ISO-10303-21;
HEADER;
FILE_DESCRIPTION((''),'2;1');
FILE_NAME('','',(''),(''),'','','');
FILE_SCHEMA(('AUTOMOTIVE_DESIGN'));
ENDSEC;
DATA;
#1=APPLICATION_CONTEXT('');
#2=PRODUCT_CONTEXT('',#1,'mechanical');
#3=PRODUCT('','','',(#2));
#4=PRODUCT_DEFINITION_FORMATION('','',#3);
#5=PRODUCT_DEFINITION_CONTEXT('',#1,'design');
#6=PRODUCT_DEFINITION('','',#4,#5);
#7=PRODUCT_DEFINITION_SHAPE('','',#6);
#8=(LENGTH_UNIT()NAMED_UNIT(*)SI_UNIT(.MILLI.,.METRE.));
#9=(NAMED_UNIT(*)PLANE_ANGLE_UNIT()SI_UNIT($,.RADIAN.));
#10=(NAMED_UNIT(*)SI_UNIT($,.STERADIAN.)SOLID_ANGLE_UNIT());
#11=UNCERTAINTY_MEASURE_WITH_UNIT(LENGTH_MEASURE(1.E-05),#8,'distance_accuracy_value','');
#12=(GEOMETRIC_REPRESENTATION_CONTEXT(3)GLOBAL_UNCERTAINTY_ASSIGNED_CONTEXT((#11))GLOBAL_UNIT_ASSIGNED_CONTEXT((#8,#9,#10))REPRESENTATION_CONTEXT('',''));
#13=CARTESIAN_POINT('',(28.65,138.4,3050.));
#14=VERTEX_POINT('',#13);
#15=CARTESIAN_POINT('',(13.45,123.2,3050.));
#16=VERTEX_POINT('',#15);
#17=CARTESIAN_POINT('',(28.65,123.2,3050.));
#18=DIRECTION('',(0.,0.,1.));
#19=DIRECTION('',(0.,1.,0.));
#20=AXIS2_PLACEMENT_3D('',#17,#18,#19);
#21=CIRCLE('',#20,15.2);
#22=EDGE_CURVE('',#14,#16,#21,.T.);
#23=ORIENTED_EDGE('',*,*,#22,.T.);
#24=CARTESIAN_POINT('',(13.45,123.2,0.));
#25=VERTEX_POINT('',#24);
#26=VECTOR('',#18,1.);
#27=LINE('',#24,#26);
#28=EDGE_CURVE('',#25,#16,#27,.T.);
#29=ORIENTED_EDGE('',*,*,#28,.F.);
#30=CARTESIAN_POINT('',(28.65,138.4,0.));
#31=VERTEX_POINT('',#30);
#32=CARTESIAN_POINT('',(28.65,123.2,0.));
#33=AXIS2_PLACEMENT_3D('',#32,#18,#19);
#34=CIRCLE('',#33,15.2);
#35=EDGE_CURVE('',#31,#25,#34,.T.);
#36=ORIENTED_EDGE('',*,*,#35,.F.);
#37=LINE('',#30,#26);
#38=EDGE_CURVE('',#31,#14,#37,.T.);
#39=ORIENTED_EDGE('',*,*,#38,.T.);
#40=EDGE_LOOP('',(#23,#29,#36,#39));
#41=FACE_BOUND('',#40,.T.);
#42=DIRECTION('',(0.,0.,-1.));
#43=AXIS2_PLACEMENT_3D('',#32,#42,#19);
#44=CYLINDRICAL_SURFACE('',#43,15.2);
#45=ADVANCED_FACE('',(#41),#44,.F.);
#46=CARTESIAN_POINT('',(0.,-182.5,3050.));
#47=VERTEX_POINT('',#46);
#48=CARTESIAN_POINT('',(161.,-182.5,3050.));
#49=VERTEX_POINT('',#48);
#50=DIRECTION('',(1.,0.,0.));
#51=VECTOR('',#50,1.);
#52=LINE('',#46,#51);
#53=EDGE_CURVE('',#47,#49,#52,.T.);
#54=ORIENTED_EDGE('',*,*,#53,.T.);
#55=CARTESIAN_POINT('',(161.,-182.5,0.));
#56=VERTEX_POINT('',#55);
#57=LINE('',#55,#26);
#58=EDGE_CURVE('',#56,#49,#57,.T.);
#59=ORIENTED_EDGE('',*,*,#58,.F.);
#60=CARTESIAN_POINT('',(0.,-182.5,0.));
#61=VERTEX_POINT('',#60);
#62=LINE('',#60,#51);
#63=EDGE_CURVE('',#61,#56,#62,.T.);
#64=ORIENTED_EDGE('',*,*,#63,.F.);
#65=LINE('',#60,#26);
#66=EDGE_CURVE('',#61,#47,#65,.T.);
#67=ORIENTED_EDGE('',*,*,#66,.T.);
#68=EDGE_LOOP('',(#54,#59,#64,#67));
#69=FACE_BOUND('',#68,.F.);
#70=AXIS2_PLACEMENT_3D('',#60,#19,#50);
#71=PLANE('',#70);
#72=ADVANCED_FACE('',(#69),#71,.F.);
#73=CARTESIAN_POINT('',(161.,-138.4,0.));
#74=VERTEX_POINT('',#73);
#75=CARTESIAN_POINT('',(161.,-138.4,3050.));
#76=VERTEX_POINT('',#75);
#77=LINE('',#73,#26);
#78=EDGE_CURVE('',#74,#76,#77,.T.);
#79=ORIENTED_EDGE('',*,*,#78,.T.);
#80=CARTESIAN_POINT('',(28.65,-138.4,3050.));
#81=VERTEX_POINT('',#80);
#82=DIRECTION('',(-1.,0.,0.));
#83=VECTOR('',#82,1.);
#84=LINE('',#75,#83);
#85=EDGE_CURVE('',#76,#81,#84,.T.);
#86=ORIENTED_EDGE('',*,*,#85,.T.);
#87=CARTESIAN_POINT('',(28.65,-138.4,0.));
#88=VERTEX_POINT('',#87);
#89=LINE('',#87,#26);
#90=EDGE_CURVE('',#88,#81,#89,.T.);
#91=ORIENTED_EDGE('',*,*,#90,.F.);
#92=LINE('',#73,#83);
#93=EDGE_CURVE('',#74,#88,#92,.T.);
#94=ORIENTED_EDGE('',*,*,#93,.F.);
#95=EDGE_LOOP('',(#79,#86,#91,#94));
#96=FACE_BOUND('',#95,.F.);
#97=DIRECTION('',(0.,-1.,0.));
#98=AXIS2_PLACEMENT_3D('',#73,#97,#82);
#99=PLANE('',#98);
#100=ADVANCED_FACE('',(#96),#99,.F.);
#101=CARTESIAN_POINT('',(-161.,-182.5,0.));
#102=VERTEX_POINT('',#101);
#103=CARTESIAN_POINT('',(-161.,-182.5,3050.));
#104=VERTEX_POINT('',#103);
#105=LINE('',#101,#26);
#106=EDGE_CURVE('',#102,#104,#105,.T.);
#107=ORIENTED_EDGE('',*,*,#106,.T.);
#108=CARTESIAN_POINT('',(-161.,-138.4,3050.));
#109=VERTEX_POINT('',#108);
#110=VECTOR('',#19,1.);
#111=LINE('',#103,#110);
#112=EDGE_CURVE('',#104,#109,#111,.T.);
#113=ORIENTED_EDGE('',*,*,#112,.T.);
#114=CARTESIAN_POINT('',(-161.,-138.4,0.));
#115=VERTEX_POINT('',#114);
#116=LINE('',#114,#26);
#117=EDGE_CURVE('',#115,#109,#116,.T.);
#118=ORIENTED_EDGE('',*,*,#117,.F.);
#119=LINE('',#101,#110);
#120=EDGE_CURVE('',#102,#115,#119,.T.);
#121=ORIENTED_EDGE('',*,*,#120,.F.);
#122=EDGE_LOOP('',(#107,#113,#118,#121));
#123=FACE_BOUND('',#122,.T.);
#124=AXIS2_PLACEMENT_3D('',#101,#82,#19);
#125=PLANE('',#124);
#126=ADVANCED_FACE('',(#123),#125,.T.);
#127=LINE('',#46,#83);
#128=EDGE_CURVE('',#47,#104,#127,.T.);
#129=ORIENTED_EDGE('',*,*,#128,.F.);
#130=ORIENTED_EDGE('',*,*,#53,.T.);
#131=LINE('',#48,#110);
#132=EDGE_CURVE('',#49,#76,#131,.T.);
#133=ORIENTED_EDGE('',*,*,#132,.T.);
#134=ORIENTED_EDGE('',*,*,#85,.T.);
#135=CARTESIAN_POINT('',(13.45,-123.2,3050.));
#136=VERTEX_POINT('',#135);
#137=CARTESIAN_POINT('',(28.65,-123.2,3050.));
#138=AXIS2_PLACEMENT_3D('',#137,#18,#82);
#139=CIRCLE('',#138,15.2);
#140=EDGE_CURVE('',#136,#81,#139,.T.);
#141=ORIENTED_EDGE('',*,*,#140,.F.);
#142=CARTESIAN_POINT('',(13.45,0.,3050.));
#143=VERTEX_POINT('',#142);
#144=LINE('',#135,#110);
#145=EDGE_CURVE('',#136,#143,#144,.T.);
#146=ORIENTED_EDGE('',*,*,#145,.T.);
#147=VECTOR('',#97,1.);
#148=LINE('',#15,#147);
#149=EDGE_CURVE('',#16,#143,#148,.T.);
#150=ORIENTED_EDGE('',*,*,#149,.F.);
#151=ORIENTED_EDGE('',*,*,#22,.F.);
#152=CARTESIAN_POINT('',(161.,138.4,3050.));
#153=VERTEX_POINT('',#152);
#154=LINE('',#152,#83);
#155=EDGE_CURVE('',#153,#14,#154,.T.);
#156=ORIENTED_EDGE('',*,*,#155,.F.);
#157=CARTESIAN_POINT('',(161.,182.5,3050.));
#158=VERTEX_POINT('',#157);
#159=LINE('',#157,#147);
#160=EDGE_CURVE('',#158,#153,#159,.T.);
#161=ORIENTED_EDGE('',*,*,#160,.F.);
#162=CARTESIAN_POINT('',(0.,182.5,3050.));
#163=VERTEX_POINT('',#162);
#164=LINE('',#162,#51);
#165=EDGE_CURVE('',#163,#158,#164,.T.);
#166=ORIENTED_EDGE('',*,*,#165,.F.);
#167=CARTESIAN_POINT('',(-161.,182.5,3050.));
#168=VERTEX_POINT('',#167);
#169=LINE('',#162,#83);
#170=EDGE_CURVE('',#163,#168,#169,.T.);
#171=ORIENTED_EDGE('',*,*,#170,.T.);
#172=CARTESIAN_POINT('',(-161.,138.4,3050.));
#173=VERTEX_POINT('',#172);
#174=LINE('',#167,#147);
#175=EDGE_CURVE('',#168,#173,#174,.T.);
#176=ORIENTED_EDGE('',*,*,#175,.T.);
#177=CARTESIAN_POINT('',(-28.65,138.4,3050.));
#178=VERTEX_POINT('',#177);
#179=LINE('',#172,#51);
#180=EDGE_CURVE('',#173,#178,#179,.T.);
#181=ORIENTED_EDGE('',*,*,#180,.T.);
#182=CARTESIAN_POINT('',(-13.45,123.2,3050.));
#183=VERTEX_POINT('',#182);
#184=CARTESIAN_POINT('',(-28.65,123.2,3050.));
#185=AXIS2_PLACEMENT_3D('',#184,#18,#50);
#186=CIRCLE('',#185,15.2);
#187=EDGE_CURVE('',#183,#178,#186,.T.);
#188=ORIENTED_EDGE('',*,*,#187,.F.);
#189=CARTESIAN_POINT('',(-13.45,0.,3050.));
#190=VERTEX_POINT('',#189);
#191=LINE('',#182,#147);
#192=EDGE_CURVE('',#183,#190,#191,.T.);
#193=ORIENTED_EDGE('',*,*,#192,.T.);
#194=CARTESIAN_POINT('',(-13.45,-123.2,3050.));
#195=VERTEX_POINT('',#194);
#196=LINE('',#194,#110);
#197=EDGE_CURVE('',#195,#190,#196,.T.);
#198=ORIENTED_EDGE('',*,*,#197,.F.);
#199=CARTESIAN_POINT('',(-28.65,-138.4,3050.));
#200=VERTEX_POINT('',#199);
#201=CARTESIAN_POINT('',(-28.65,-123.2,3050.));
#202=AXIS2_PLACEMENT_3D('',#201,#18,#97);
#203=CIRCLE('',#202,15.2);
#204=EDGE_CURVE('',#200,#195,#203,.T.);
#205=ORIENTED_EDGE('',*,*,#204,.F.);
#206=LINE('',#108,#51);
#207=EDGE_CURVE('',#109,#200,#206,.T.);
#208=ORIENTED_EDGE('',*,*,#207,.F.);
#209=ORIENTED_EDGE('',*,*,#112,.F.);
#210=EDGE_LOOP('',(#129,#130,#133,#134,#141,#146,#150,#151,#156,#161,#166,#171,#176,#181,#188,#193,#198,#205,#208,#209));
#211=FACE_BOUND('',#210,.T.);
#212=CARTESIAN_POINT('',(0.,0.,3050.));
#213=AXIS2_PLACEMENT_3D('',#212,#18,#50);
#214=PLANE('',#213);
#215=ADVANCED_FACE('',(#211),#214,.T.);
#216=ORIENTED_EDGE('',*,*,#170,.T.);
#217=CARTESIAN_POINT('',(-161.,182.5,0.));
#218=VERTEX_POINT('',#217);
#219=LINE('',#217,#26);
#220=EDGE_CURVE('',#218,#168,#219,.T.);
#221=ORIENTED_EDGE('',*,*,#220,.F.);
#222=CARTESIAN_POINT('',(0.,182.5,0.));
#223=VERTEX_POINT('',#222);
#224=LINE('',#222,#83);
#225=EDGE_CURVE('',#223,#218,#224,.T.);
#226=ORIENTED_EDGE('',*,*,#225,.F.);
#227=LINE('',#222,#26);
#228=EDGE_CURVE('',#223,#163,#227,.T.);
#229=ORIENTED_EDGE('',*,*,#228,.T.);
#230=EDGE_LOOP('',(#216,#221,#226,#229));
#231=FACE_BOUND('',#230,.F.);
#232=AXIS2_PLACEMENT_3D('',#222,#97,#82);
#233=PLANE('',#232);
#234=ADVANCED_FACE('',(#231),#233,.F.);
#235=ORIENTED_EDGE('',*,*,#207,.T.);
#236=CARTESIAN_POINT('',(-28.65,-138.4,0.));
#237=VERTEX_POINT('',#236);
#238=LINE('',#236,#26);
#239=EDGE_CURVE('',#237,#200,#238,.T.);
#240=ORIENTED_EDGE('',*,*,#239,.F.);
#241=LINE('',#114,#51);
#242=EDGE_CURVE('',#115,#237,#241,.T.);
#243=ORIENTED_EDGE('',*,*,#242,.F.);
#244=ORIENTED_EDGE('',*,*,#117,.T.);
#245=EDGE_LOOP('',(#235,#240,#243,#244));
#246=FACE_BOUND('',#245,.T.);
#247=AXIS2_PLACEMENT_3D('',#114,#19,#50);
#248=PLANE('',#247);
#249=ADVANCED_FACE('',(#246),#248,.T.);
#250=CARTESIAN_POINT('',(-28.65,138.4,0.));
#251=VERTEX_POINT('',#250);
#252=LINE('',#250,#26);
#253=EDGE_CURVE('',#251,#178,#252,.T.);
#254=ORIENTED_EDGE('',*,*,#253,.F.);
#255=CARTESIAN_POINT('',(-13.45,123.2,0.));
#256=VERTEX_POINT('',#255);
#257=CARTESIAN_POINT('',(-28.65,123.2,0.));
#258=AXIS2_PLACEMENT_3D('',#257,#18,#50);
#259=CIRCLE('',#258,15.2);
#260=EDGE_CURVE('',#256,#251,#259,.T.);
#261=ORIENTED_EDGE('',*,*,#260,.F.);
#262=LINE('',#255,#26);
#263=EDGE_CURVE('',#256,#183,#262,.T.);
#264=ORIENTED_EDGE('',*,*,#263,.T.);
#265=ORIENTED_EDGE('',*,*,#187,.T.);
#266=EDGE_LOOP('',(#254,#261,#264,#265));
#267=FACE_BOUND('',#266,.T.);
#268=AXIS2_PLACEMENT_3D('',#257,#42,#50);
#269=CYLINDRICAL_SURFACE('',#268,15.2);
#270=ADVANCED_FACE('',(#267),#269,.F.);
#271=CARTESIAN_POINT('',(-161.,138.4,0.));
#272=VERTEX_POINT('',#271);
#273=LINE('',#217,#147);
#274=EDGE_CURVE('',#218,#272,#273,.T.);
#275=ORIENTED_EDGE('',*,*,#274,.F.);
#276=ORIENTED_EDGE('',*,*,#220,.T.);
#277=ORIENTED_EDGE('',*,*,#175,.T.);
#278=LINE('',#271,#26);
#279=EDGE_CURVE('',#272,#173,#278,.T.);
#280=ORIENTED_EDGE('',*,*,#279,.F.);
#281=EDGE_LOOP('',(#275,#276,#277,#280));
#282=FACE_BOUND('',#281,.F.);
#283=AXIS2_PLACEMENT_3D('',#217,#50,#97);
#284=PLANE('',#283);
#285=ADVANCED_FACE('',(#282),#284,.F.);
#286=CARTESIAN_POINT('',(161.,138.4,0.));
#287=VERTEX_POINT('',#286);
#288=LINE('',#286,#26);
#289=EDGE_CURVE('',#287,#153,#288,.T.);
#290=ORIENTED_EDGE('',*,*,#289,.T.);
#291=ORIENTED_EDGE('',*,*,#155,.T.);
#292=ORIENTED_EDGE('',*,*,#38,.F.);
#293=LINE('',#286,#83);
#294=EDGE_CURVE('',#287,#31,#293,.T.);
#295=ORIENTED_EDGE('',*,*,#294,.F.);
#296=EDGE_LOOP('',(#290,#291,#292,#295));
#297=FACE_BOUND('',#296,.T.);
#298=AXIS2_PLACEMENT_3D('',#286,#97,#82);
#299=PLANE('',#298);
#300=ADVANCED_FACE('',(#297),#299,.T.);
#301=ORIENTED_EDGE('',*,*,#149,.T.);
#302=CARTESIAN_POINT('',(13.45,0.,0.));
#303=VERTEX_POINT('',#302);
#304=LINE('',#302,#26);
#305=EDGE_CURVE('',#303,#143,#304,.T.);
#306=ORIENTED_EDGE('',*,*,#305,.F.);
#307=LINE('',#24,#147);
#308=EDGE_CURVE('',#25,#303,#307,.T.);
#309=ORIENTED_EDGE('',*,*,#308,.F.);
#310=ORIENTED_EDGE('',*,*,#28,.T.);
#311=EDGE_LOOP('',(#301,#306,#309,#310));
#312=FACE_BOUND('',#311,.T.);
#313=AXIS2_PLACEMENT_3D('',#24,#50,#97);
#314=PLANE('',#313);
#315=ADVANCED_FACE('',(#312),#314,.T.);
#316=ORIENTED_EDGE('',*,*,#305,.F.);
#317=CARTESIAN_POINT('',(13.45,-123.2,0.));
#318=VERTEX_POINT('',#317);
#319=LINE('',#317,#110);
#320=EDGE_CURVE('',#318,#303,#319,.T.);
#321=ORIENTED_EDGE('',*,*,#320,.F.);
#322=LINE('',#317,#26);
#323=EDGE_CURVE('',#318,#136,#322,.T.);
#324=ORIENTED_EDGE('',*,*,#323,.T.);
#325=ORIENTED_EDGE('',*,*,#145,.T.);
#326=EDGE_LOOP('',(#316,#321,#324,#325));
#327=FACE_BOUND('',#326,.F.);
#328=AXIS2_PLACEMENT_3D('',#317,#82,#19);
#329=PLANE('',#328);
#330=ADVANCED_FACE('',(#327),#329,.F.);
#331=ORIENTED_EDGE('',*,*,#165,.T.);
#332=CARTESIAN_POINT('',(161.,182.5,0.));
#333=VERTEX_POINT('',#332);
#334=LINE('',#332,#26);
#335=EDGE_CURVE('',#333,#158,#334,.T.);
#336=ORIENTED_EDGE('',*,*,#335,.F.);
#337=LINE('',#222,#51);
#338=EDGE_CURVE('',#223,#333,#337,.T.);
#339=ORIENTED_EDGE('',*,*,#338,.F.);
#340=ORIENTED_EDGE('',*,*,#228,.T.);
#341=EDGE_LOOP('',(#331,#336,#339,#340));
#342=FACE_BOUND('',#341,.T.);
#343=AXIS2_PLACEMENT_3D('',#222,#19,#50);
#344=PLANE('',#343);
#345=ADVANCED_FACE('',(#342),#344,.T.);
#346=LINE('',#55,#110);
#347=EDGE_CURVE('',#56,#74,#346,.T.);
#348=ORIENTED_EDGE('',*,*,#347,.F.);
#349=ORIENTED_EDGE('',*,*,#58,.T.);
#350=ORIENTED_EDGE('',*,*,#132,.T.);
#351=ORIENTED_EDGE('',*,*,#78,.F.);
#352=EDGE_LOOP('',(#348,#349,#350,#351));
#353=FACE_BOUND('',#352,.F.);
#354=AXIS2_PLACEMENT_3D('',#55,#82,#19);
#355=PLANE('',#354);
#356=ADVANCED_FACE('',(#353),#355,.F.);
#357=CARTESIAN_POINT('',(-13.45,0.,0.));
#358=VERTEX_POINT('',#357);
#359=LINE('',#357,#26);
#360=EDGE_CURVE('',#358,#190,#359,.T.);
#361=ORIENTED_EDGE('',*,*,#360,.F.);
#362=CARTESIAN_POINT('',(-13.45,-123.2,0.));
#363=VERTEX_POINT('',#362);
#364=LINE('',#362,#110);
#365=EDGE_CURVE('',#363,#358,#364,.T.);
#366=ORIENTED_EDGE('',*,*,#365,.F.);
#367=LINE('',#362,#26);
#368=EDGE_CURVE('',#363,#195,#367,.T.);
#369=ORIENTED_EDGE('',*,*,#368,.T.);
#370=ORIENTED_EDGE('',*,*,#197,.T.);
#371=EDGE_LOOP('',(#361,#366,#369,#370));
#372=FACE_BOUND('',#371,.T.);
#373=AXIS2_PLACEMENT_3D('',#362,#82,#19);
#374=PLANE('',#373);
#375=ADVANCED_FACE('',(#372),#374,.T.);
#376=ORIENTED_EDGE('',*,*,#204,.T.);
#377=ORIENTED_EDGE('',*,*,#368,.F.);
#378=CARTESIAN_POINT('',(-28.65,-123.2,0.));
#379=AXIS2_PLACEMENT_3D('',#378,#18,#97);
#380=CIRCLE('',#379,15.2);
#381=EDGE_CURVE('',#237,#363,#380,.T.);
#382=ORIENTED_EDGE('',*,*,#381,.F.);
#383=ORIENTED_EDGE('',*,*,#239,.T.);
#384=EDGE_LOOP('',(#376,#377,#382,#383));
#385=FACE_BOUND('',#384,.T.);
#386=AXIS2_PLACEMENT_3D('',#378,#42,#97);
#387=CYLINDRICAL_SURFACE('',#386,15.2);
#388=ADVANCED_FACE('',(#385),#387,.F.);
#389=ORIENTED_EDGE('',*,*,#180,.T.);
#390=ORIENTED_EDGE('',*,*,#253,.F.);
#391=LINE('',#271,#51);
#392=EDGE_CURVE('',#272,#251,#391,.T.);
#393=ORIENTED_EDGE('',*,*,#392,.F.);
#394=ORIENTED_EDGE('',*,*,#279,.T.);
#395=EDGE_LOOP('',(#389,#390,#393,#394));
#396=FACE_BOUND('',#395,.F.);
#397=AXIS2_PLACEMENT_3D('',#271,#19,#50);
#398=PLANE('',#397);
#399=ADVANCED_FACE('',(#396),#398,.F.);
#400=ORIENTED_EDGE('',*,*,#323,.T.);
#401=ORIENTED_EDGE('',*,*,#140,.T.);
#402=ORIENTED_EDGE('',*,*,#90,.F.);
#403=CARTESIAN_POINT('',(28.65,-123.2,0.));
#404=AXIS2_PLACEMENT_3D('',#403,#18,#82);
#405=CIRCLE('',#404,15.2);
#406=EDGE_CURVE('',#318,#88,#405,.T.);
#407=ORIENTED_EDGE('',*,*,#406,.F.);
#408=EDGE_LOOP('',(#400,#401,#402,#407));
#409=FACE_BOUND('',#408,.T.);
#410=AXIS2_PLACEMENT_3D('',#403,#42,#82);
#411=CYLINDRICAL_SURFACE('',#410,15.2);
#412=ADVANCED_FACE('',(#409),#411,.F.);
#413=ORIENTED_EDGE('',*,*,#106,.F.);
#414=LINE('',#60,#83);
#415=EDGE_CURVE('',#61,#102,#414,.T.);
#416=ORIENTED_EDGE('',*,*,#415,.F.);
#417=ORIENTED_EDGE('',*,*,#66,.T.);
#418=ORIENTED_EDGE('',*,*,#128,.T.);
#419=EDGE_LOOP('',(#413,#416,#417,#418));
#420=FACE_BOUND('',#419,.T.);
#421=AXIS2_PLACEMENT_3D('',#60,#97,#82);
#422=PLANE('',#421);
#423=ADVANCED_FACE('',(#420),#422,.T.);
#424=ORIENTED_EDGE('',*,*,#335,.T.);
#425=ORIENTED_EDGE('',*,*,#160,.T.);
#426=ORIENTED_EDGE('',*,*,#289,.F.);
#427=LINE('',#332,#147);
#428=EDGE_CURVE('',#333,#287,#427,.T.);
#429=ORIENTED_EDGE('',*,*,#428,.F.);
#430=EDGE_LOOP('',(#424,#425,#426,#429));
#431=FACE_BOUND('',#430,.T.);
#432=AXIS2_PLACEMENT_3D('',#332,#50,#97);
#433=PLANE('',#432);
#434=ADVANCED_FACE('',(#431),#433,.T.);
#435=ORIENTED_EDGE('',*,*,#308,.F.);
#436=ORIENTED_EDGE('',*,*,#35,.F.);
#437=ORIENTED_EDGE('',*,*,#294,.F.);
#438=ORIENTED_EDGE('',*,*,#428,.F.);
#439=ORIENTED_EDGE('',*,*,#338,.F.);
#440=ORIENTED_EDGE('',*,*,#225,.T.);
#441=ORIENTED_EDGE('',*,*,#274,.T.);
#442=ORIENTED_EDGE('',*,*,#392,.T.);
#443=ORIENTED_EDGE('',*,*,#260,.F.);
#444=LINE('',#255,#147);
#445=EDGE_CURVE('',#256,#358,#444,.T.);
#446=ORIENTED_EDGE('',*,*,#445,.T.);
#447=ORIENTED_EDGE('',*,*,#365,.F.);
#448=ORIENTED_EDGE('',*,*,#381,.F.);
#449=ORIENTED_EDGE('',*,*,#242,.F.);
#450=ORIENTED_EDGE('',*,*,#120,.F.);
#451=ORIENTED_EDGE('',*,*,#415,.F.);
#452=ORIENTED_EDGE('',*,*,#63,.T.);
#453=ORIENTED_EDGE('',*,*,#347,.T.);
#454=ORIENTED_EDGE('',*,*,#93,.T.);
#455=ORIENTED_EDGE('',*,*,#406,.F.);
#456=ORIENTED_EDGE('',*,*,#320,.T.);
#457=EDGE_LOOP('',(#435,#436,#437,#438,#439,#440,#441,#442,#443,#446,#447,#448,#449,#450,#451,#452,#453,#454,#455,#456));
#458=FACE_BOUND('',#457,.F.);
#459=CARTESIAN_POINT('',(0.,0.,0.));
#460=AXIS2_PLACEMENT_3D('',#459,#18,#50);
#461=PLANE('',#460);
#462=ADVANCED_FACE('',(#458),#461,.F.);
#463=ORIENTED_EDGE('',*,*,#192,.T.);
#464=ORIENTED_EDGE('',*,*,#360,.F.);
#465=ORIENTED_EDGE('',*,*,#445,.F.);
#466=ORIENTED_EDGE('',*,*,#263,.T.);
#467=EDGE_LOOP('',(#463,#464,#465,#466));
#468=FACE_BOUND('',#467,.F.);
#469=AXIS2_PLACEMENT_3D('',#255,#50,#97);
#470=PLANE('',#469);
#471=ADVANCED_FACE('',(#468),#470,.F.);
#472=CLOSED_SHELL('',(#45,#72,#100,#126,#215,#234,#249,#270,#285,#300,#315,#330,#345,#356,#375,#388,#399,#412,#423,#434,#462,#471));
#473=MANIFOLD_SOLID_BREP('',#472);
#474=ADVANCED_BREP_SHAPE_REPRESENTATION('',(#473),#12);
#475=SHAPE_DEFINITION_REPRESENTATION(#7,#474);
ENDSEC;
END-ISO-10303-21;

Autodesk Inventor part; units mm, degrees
ref_plane "YZ Plane" through (0, 0, 0) normal (1, 0, 0) x (0, 1, 0)
ref_plane "Start plane" through (0, 0, 0) normal (0, 0, 1) x (1, 0, 0)
ref_plane "End plane" through (0, 0, 3050) normal (0, 0, 1) x (1, 0, 0)
sketch "Sketch" plane through (0, 0, 0) normal (0, 0, 1) x (1, 0, 0)
  line L0 (-161, -182.5) -> (-161, -138.4)
  line L1 (-161, -138.4) -> (-28.65, -138.4)
  line L2 (-13.45, -123.2) -> (-13.45, 0)
  line L3 (-13.45, 0) -> (0, 0) construction
  line L4 (0, 0) -> (0, -182.5) construction
  line L5 (0, -182.5) -> (-161, -182.5)
  line L6 (-60, 0) -> (80, 0) construction
  line L7 (0, -60) -> (0, 80) construction
  line L8 (161, -182.5) -> (161, -138.4)
  line L9 (161, -138.4) -> (28.65, -138.4)
  line L10 (13.45, -123.2) -> (13.45, 0)
  line L11 (13.45, 0) -> (0, 0) construction
  line L12 (0, -182.5) -> (161, -182.5)
  line L13 (-161, 182.5) -> (-161, 138.4)
  line L14 (-161, 138.4) -> (-28.65, 138.4)
  line L15 (-13.45, 123.2) -> (-13.45, 0)
  line L16 (0, 182.5) -> (-161, 182.5)
  line L17 (161, 182.5) -> (161, 138.4)
  line L18 (161, 138.4) -> (28.65, 138.4)
  line L19 (0, 182.5) -> (161, 182.5)
  line L20 (13.45, 123.2) -> (13.45, 0)
  arc A0 (-13.45, 123.2) -> (-28.65, 138.4) centre (-28.65, 123.2) ccw
  arc A1 (28.65, 138.4) -> (13.45, 123.2) centre (28.65, 123.2) ccw
  arc A2 (13.45, -123.2) -> (28.65, -138.4) centre (28.65, -123.2) ccw
  arc A3 (-28.65, -138.4) -> (-13.45, -123.2) centre (-28.65, -123.2) ccw
  line L21 (0, 108) -> (0, -88) construction
  line L22 (-88, 0) -> (108, 0) construction
  point P0 (-13.45, -138.4)
  point P1 (13.45, -138.4)
  point P2 (-13.45, 138.4)
  point P3 (13.45, 138.4)
  dimension "d1" = 182.5
  dimension "d2" = 44.1
  dimension "d3" = 161
  dimension "d4" = 13.45
  dimension "d10" = 15.2
extrude "Body" add sketch "Sketch" along normal up to surface (3050 mm away) from surface at 0
sketch "Sketch4" plane through (0, 0, 0) normal (0, 0, 1) x (1, 0, 0)
  line L0 (0, 0) -> (10, 0)
ref_plane "Work Plane3" through (0, 0, 0) normal (0, -1, 0) x (1, 0, 0)
sketch "Sketch5" plane through (0, 0, 0) normal (0, -1, 0) x (1, 0, 0)
  line L0 (-2, 0) -> (12, 0) projected
  line L1 (-2, 3050) -> (12, 3050) projected
  dimension "d14" = 3050
equation "\"d1\" = 0.5 * G_H"
equation "\"d2\" = G_T1"
equation "\"d3\" = 0.5 * G_W"
equation "\"d4\" = 0.5 * G_T"
equation "\"d10\" = G_IR"
equation "\"d5\" = G_L"
equation "\"G_W\" = 322"
equation "\"G_H\" = 365"
equation "\"G_T\" = 26.9"
equation "\"G_T1\" = 44.1"
equation "\"G_IR\" = 15.2"
equation "\"G_L\" = d14"
equation "\"G_OFFSET_START\" = 0"
equation "\"G_OFFSET_END\" = 0"
properties part number "AS 3679 - 310 UC - 283 - 3050" material "Steel, Mild"
